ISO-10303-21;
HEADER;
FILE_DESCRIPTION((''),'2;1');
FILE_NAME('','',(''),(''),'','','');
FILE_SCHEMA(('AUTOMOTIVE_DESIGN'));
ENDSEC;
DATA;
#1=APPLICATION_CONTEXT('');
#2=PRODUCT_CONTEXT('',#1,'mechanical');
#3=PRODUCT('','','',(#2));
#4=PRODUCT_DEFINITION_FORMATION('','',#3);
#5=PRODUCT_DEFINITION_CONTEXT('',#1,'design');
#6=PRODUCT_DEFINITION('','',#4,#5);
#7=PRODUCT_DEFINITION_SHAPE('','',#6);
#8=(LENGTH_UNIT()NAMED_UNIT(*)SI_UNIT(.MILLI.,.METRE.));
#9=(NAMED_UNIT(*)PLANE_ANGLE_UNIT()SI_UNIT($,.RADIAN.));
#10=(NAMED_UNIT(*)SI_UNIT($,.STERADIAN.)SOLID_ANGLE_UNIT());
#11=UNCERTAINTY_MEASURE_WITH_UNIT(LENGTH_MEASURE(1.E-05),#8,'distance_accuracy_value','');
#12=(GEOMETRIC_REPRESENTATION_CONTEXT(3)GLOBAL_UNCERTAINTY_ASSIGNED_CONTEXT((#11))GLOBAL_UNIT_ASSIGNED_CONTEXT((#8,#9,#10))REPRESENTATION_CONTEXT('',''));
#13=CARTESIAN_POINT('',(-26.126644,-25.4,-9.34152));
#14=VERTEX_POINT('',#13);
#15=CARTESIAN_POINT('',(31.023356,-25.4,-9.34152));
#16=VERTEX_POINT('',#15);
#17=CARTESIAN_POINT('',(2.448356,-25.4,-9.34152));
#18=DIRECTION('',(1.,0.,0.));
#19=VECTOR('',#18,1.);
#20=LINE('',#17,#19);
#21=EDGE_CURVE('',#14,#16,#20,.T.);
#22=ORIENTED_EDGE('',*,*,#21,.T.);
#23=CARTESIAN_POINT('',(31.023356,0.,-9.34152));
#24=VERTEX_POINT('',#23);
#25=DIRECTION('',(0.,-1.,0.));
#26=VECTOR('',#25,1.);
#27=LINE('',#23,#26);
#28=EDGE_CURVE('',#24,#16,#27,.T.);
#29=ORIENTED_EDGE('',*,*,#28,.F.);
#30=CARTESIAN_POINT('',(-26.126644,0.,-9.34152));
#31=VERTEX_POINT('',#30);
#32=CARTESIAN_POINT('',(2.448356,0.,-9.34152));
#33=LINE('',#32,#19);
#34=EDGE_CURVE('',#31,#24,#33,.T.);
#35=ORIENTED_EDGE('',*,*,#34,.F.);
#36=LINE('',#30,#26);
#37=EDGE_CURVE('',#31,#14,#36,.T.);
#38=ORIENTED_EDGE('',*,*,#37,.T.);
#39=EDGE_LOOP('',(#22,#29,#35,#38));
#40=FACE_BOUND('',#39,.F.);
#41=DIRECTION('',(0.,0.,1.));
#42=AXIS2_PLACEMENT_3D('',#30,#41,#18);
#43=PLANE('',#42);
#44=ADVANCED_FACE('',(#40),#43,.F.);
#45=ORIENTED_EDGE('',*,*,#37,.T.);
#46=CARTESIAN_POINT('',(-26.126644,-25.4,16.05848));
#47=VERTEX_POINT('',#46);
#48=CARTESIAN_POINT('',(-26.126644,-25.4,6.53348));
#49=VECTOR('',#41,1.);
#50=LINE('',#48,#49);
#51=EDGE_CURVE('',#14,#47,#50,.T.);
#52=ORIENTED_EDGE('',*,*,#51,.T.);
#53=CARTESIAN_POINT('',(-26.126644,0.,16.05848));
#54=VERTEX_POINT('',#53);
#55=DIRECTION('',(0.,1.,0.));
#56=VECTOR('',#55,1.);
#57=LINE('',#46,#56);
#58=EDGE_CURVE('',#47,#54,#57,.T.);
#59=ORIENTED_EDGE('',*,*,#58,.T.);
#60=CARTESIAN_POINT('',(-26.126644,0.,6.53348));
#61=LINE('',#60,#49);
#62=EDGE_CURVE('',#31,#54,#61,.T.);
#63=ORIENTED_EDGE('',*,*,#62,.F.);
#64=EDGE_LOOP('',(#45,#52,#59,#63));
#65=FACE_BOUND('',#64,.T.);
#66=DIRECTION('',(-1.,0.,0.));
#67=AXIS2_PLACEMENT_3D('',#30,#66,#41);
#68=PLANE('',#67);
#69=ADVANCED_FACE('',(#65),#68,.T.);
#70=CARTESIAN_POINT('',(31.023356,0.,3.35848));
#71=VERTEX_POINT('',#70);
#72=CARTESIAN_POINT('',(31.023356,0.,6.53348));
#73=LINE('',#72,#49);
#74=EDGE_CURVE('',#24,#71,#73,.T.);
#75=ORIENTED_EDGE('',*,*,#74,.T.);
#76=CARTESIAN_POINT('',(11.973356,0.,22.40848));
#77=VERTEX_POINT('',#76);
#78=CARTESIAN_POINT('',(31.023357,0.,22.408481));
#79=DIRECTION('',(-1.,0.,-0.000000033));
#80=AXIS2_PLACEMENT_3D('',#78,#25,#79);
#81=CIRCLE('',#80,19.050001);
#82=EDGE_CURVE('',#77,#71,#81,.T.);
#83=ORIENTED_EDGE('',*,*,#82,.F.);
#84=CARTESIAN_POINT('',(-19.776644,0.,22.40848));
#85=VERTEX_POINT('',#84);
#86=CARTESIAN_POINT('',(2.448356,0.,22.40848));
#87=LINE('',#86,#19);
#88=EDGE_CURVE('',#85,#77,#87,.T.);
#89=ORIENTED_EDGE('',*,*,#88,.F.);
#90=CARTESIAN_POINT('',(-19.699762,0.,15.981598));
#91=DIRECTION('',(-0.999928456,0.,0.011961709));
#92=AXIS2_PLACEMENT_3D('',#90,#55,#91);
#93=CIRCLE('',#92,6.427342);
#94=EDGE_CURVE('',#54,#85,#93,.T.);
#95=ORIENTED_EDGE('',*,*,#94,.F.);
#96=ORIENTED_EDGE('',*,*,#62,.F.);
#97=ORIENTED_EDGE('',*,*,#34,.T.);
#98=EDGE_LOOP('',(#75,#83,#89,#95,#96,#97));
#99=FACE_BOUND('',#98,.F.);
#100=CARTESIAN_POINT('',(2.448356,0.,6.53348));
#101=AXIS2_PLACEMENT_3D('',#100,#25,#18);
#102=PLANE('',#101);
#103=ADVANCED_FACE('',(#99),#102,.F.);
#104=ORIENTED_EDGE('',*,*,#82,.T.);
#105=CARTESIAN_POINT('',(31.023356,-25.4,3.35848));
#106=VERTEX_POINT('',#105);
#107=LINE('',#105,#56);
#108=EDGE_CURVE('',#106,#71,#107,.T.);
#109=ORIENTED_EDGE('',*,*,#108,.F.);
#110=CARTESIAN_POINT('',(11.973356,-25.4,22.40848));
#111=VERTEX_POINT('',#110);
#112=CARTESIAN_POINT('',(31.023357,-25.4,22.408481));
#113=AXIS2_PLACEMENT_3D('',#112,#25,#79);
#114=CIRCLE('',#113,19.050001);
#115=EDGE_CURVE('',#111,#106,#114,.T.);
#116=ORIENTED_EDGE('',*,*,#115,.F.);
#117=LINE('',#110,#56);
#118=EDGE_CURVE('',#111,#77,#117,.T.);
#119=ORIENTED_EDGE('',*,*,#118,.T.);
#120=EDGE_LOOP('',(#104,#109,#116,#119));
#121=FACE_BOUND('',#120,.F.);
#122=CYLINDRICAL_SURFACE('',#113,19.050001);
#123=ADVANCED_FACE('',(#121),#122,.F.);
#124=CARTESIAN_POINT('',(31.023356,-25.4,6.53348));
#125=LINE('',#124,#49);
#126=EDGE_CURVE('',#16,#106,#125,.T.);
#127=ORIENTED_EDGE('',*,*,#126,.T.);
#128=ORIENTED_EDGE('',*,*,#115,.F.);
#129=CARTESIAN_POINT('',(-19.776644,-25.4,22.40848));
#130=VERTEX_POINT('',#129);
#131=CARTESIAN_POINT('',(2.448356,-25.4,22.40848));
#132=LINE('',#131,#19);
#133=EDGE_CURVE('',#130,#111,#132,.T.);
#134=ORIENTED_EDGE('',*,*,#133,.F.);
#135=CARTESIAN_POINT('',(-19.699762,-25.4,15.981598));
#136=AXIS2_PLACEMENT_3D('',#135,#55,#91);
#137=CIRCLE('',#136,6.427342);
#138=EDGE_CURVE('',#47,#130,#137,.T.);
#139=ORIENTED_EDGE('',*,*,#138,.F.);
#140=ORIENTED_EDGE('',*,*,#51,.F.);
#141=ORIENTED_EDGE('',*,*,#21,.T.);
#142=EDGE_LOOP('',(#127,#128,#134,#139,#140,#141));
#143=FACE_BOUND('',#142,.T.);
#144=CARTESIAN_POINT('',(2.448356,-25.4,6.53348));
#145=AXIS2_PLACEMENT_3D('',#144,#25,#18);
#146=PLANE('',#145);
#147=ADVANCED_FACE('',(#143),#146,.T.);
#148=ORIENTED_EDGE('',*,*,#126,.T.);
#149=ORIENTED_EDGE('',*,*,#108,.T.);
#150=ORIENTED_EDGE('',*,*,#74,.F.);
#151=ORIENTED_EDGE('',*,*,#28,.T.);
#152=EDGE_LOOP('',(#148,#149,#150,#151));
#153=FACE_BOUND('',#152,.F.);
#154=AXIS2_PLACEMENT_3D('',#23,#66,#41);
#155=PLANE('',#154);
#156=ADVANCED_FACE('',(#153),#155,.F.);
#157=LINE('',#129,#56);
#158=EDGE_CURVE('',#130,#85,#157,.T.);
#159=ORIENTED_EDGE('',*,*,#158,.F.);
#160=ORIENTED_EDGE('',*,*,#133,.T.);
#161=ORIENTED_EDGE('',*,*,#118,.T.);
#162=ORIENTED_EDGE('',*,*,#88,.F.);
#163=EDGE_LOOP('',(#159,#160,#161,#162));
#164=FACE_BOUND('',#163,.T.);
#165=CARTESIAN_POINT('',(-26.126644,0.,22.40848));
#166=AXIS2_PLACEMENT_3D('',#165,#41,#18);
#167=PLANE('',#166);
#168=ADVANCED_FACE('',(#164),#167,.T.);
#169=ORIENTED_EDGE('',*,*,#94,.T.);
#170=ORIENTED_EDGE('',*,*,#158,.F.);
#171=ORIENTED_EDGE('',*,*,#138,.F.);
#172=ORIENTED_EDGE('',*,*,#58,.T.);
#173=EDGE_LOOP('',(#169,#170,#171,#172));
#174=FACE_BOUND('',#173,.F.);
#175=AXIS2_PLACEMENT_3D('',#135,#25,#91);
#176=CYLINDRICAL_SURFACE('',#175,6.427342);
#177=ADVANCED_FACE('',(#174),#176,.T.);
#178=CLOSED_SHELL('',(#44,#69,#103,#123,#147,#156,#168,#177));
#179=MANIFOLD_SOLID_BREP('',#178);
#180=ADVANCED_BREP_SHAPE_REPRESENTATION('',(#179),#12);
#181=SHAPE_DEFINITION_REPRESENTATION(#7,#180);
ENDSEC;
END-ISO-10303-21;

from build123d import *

# Parameters (mm, degrees)
F0_W     = 57.15
F0_H     = 31.75
F1_DEPTH = 25.4
F3_DEPTH = 25.4
F5_DEPTH = 25.4


with BuildPart() as f1:
    # F0 (on Front) → F1 (new body)
    with BuildSketch(Plane.XZ):
        with Locations((2.448356, 6.53348)):
            Rectangle(F0_W, F0_H)
    extrude(amount=F1_DEPTH)

    # F2 (on face) → F3 (cut)
    with BuildSketch(Plane.XZ.offset(25.4)):
        with BuildLine():
            Line((31.023356, 22.40848), (11.973356, 22.40848))
            ThreePointArc((11.973356, 22.40848), (17.552972, 8.938096), (31.023356, 3.35848))
            Line((31.023356, 3.35848), (31.023356, 22.40848))
        make_face()
    extrude(amount=-F3_DEPTH, mode=Mode.SUBTRACT)

    # F4 (on face) → F5 (cut)
    with BuildSketch(Plane.XZ.offset(25.4)):
        with BuildLine():
            ThreePointArc((-26.126644, 16.05848), (-24.244579, 20.526415), (-19.776644, 22.40848))
            Line((-19.776644, 22.40848), (-26.126644, 22.40848))
            Line((-26.126644, 22.40848), (-26.126644, 16.05848))
        make_face()
    extrude(amount=-F5_DEPTH, mode=Mode.SUBTRACT)


solid = f1.part
